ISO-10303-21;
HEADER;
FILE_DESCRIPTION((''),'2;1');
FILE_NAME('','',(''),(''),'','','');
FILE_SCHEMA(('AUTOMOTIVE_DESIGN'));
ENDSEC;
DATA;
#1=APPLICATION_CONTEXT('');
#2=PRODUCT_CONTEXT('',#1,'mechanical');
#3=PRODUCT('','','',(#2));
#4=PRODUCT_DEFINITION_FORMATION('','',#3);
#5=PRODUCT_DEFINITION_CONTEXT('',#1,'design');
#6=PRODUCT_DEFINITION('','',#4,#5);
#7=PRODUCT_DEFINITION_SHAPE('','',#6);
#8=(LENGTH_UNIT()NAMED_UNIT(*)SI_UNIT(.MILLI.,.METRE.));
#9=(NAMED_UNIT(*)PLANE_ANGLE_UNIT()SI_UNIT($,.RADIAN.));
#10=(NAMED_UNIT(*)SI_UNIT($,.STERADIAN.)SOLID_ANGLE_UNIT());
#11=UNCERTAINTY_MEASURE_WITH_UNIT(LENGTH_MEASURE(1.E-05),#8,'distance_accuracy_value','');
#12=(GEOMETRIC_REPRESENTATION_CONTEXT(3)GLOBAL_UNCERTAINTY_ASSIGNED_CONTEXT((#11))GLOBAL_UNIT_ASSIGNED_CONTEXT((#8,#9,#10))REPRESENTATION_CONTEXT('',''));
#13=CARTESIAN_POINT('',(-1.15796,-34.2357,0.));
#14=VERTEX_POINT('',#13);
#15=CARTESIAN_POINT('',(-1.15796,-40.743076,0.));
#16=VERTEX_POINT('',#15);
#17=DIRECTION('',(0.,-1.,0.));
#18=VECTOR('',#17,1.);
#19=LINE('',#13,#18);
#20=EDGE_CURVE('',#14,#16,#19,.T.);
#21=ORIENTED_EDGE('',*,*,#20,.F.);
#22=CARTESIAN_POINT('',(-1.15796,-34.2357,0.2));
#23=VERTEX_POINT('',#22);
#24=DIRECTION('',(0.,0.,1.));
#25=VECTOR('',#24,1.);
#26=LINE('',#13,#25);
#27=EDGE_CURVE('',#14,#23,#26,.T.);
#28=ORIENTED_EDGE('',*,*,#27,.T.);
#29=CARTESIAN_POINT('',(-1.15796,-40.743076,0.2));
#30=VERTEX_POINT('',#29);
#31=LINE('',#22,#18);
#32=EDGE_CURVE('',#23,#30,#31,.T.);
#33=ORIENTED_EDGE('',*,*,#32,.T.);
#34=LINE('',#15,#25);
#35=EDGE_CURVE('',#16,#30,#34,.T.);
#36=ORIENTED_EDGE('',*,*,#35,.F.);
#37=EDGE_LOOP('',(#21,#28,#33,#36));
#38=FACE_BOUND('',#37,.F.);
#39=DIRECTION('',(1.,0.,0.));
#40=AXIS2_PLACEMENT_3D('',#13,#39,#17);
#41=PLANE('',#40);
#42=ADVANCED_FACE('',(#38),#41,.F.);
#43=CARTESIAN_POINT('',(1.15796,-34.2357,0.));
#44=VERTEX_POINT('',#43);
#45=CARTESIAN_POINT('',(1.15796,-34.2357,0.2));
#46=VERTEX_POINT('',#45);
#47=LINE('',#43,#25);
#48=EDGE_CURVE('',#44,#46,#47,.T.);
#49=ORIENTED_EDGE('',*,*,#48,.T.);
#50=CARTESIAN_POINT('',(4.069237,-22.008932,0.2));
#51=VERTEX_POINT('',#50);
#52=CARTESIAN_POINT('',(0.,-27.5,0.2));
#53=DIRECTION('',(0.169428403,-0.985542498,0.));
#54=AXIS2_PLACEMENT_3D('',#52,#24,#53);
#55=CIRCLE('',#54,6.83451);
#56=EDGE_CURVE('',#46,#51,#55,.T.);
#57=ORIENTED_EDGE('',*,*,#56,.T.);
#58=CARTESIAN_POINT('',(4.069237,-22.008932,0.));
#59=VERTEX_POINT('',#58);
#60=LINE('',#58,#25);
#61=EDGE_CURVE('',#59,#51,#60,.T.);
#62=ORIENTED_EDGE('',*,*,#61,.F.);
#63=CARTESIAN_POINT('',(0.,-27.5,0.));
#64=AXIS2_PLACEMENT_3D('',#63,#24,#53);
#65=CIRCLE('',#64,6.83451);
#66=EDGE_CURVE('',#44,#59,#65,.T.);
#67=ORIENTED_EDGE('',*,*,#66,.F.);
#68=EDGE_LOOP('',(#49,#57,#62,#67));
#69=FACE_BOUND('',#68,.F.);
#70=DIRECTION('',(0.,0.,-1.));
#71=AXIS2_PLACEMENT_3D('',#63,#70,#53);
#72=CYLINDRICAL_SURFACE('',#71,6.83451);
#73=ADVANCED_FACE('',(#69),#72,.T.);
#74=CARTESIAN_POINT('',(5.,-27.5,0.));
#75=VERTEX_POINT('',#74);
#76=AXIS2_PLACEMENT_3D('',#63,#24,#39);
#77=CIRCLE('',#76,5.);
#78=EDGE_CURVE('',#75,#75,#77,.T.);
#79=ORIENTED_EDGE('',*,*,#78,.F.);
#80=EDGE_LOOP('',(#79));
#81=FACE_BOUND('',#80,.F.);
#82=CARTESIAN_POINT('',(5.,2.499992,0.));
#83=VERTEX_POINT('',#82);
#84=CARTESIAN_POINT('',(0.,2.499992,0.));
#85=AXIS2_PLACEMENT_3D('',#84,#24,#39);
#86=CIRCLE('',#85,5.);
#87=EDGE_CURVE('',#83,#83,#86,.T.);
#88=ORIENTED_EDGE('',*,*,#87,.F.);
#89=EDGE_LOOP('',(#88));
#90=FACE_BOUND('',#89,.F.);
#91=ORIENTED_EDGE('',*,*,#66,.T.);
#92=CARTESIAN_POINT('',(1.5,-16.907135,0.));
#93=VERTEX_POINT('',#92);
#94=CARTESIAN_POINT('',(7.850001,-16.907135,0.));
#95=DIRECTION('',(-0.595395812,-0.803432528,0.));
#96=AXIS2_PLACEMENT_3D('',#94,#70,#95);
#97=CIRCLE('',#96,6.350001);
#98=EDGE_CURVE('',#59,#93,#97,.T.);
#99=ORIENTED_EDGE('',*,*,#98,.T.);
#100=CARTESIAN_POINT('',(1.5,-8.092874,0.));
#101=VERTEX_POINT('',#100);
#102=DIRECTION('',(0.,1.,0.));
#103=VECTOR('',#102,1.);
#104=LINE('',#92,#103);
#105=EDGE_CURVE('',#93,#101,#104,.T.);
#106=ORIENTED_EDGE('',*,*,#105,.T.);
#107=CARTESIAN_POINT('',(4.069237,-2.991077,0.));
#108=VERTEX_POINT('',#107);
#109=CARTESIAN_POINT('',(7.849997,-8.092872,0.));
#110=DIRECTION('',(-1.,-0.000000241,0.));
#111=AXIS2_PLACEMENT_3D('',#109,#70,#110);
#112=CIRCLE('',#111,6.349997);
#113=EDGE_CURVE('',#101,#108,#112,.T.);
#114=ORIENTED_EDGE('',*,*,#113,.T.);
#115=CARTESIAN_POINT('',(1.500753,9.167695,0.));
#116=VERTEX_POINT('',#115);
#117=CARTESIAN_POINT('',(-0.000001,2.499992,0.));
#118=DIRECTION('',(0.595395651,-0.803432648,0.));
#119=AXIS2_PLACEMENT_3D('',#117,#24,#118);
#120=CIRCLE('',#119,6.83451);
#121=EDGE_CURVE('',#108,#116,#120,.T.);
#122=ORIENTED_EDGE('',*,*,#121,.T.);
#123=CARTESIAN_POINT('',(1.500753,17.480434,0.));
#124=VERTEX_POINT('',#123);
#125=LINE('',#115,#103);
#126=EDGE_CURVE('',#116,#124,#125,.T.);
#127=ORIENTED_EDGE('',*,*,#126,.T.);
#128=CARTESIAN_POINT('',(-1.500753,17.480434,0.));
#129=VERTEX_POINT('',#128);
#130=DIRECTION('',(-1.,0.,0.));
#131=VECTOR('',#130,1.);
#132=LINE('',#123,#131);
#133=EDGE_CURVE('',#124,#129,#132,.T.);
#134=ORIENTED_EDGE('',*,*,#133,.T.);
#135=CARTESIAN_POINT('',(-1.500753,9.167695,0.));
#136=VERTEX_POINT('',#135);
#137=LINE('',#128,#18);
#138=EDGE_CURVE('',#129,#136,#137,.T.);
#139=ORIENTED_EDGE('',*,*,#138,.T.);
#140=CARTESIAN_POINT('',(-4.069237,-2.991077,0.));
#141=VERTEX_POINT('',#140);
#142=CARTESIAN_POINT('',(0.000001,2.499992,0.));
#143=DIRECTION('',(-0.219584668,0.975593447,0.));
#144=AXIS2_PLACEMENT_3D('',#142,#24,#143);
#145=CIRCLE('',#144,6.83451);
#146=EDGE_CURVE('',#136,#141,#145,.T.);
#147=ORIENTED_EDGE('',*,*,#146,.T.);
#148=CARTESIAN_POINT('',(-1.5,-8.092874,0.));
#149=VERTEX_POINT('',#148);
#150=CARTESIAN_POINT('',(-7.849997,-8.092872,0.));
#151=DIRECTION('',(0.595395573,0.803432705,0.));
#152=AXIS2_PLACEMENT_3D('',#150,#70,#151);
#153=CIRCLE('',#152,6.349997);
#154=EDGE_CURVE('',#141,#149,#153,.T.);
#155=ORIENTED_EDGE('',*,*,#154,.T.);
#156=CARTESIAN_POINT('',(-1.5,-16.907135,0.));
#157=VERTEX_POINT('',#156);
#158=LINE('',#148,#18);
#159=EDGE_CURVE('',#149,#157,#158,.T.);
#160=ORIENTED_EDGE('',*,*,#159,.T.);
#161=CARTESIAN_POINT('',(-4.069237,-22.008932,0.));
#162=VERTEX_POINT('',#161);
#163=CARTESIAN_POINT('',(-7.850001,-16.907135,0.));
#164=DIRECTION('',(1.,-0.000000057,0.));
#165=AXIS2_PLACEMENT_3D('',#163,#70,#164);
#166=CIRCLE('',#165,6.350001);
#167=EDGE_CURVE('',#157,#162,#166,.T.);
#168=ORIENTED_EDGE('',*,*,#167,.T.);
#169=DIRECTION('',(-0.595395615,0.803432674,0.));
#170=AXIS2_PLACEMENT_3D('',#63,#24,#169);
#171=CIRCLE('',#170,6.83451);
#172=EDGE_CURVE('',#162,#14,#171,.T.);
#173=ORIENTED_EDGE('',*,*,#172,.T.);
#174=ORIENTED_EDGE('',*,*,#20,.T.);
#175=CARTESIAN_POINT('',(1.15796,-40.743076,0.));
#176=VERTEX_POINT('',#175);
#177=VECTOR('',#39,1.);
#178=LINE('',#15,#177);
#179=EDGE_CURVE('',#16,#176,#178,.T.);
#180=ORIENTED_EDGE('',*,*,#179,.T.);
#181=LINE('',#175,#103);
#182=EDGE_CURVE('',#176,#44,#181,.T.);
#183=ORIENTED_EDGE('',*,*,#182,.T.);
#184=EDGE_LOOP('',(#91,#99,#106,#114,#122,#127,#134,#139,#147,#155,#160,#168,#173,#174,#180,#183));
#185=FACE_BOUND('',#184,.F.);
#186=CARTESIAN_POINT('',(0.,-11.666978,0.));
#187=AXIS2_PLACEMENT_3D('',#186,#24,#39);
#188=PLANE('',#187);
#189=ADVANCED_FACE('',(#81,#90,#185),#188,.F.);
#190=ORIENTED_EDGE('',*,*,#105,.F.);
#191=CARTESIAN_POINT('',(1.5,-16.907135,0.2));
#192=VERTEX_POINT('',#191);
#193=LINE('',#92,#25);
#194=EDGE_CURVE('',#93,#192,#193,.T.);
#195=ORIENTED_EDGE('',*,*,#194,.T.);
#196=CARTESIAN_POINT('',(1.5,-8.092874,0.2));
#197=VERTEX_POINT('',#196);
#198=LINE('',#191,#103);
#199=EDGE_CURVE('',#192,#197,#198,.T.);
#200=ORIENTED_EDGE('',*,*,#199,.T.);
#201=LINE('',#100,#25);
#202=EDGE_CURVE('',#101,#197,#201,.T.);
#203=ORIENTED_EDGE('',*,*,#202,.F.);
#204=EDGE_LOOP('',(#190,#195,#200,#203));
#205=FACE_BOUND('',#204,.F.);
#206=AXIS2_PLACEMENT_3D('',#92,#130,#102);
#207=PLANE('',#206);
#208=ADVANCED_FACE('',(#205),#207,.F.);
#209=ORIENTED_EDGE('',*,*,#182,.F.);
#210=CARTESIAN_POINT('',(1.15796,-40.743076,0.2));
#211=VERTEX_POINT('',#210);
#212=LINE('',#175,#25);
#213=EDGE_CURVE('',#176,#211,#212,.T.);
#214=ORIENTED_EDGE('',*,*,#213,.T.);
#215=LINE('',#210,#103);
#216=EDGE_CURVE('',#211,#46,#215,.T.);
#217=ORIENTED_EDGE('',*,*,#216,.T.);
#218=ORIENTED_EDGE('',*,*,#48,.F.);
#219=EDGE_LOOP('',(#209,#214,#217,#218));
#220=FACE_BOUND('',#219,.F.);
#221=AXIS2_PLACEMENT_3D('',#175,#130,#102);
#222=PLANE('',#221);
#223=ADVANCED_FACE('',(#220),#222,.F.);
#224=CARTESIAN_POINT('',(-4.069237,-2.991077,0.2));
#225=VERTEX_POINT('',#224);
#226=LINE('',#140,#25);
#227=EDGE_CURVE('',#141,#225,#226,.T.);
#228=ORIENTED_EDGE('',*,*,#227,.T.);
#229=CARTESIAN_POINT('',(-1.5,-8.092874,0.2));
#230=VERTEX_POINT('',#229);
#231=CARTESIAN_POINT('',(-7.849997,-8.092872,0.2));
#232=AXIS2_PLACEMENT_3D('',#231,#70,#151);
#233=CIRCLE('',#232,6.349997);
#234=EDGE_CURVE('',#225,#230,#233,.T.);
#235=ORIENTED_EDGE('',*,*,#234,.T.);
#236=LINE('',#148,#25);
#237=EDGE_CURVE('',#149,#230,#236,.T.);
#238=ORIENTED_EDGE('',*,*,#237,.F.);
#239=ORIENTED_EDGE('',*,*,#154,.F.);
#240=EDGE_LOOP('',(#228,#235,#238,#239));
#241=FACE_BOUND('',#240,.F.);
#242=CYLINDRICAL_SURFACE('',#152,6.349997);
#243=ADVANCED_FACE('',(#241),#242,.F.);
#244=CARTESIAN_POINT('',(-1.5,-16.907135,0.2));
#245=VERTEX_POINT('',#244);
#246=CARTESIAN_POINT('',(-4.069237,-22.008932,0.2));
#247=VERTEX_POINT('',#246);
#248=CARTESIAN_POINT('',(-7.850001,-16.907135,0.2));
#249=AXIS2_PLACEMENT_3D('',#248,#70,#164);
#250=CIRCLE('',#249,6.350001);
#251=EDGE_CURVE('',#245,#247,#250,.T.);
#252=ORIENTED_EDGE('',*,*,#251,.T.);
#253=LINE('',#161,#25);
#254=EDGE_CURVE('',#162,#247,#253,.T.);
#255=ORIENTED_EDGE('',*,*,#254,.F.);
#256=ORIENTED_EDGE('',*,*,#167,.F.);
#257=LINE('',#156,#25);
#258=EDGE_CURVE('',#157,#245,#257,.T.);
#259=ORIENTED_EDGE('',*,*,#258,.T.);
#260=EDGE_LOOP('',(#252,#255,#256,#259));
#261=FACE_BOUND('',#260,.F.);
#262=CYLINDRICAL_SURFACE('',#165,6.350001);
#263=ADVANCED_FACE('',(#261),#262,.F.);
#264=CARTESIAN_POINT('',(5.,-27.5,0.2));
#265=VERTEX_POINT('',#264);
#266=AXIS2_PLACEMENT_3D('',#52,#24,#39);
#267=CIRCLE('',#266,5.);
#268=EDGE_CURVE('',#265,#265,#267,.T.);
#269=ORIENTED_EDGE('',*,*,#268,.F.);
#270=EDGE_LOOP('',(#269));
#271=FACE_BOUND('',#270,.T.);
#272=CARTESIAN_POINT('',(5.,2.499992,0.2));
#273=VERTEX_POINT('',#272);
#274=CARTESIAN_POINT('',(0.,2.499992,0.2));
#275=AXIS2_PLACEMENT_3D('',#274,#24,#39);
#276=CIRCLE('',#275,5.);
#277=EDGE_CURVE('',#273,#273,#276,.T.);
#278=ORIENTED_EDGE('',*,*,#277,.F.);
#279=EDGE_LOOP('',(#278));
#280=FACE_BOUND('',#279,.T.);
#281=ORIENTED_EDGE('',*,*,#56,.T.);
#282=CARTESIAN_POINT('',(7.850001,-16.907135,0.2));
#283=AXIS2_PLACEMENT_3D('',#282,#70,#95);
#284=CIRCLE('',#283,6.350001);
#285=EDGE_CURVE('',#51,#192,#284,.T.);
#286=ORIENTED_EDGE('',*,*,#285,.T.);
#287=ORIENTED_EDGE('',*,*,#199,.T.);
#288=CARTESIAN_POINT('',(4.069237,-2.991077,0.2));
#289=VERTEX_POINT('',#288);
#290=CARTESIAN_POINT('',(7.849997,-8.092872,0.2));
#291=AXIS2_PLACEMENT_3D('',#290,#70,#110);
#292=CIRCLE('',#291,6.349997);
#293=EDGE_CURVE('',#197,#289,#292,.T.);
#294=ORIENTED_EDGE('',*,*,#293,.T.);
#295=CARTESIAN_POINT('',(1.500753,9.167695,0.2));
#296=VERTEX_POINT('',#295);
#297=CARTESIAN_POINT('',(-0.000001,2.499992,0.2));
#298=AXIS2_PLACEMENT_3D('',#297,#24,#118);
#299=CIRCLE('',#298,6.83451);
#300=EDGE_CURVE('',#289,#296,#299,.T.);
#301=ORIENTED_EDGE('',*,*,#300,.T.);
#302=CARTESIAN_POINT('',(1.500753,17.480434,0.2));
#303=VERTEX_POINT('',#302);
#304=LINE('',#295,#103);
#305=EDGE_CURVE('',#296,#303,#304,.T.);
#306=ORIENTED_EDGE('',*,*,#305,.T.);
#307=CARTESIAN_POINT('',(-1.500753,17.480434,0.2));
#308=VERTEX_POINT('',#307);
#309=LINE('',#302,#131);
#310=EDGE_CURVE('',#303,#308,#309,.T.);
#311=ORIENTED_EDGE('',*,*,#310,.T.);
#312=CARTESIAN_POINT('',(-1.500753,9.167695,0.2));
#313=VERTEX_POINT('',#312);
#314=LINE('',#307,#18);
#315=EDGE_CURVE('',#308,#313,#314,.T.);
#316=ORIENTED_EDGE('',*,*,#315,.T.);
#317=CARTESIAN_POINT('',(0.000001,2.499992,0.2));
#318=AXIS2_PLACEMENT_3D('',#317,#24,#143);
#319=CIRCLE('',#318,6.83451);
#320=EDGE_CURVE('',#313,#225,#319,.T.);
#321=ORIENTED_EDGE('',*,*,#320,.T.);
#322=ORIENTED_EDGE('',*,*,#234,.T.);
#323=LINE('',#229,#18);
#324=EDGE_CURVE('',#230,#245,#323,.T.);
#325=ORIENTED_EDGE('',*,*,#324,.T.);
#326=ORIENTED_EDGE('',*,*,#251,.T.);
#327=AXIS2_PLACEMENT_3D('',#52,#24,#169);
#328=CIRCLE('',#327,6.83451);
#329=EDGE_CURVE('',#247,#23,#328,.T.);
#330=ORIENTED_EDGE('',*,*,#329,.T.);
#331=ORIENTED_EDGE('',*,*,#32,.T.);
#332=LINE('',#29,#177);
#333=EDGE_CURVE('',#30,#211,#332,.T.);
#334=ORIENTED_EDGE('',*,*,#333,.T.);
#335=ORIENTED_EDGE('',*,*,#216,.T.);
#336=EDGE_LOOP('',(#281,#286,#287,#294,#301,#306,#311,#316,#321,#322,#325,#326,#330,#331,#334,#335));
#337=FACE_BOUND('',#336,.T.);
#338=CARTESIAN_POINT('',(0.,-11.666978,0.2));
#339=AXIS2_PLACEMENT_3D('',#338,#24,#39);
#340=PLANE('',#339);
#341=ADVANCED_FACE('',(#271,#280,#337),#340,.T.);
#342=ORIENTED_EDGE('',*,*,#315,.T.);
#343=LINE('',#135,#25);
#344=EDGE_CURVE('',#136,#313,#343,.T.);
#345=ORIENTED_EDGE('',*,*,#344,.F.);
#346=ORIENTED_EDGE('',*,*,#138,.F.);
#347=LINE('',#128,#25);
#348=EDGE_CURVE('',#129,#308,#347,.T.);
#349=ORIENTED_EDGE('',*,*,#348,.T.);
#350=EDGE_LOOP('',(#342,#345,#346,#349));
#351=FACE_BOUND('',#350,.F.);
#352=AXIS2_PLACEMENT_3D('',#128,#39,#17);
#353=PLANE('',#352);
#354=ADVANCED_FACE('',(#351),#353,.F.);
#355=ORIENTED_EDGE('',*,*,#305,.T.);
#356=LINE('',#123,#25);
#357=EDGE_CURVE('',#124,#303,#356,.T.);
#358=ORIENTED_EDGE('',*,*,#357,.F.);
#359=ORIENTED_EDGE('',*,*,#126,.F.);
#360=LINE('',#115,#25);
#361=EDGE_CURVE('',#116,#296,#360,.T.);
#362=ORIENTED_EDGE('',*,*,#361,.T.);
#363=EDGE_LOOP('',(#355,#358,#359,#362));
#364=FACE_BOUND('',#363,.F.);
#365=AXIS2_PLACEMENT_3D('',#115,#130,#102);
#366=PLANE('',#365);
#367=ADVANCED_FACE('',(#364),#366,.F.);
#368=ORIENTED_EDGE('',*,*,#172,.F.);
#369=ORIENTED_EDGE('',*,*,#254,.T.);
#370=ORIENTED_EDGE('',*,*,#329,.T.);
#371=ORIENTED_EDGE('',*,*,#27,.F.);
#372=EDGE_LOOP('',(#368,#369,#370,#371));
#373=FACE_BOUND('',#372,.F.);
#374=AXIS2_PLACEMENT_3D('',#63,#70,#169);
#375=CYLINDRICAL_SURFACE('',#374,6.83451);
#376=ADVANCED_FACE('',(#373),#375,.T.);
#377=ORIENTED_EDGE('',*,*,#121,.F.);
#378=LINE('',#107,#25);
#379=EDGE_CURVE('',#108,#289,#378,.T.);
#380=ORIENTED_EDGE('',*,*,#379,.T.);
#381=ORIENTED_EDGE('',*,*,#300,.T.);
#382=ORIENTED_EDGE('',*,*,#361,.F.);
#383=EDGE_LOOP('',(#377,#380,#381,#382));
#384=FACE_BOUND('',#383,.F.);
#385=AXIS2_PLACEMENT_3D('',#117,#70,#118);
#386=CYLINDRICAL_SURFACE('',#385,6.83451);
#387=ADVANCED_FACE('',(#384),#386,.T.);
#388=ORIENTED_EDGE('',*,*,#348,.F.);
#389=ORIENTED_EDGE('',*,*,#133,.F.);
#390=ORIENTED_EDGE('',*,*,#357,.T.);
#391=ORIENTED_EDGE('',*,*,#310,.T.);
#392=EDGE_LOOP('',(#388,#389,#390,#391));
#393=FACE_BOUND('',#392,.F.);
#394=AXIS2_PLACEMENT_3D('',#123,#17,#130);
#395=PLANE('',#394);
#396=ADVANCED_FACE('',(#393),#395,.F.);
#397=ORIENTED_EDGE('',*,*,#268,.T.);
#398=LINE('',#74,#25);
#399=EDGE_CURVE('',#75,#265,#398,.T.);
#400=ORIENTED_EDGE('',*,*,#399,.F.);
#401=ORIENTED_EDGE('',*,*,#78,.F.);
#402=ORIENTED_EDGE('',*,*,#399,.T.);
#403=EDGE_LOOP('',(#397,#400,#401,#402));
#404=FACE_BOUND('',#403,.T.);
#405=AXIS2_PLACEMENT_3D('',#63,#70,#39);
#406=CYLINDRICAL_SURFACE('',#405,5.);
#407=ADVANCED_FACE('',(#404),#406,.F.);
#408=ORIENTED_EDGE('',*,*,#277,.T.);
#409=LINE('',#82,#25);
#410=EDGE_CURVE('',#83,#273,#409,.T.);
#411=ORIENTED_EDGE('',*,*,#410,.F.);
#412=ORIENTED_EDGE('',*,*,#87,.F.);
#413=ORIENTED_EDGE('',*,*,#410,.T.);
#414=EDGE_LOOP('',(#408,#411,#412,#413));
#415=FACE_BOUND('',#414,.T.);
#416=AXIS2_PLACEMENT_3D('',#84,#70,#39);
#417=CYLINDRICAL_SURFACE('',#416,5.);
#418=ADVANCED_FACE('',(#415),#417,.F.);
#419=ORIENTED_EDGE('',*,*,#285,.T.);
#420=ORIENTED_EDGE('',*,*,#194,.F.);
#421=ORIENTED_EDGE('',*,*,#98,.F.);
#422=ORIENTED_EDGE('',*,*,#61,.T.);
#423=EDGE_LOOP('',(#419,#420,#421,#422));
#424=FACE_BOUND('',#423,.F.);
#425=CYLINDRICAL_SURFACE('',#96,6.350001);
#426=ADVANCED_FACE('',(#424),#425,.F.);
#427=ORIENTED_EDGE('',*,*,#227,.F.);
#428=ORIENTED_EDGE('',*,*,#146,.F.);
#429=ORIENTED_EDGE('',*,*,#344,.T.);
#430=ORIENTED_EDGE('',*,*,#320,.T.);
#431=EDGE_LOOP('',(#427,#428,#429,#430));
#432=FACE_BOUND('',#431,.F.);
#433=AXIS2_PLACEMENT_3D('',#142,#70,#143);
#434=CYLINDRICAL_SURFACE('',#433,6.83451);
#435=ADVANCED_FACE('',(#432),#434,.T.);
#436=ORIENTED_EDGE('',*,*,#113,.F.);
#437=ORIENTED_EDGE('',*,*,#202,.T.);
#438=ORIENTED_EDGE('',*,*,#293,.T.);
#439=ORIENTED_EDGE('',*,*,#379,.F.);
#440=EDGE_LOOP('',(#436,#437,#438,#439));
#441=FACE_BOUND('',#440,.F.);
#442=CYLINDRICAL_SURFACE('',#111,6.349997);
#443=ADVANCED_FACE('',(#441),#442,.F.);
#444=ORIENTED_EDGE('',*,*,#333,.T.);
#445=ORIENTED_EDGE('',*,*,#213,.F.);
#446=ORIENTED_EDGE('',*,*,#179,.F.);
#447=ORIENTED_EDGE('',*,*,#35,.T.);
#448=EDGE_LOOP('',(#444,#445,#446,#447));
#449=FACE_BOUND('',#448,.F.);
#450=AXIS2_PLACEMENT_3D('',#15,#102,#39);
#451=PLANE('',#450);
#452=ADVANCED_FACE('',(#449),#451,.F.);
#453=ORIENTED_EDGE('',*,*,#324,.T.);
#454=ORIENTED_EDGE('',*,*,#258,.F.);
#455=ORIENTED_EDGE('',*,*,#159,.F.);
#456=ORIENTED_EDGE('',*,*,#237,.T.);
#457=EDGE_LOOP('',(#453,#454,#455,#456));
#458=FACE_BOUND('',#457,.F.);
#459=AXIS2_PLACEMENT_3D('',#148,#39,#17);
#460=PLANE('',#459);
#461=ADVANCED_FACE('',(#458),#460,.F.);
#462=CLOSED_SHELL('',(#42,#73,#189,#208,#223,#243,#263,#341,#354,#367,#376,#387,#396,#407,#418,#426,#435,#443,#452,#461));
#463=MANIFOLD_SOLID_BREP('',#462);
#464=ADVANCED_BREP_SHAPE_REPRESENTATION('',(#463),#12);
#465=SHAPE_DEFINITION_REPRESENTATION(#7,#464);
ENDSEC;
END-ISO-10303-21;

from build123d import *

# Parameters (mm, degrees)
F0_R     = 5
F1_DEPTH = 0.2


with BuildPart() as f1:
    # F0 (on Top) → F1 (new body)
    with BuildSketch(Plane.XY):
        with BuildLine():
            ThreePointArc((-1.5, -16.907135), (-2.178565, -19.763238), (-4.069237, -22.008932))
            ThreePointArc((-4.069237, -22.008932), (-6.648636, -29.083086), (-1.15796, -34.2357))
            Line((-1.15796, -34.2357), (-1.15796, -40.743076))
            Line((-1.15796, -40.743076), (1.15796, -40.743076))
            Line((1.15796, -40.743076), (1.15796, -34.2357))
            ThreePointArc((1.15796, -34.2357), (6.648636, -29.083086), (4.069237, -22.008932))
            ThreePointArc((4.069237, -22.008932), (2.178565, -19.763238), (1.5, -16.907135))
            Line((1.5, -16.907135), (1.5, -8.092874))
            ThreePointArc((1.5, -8.092874), (2.178565, -5.23677), (4.069237, -2.991077))
            ThreePointArc((4.069237, -2.991077), (6.686937, 3.912576), (1.500753, 9.167695))
            Line((1.500753, 9.167695), (1.500753, 17.480434))
            Line((1.500753, 17.480434), (-1.500753, 17.480434))
            Line((-1.500753, 17.480434), (-1.500753, 9.167695))
            ThreePointArc((-1.500753, 9.167695), (-6.686937, 3.912576), (-4.069237, -2.991077))
            ThreePointArc((-4.069237, -2.991077), (-2.178565, -5.23677), (-1.5, -8.092874))
            Line((-1.5, -8.092874), (-1.5, -16.907135))
        make_face()
        with Locations((0, -27.5)):
            Circle(F0_R, mode=Mode.SUBTRACT)
        with Locations((0, 2.499992)):
            Circle(F0_R, mode=Mode.SUBTRACT)
    extrude(amount=F1_DEPTH)


solid = f1.part
